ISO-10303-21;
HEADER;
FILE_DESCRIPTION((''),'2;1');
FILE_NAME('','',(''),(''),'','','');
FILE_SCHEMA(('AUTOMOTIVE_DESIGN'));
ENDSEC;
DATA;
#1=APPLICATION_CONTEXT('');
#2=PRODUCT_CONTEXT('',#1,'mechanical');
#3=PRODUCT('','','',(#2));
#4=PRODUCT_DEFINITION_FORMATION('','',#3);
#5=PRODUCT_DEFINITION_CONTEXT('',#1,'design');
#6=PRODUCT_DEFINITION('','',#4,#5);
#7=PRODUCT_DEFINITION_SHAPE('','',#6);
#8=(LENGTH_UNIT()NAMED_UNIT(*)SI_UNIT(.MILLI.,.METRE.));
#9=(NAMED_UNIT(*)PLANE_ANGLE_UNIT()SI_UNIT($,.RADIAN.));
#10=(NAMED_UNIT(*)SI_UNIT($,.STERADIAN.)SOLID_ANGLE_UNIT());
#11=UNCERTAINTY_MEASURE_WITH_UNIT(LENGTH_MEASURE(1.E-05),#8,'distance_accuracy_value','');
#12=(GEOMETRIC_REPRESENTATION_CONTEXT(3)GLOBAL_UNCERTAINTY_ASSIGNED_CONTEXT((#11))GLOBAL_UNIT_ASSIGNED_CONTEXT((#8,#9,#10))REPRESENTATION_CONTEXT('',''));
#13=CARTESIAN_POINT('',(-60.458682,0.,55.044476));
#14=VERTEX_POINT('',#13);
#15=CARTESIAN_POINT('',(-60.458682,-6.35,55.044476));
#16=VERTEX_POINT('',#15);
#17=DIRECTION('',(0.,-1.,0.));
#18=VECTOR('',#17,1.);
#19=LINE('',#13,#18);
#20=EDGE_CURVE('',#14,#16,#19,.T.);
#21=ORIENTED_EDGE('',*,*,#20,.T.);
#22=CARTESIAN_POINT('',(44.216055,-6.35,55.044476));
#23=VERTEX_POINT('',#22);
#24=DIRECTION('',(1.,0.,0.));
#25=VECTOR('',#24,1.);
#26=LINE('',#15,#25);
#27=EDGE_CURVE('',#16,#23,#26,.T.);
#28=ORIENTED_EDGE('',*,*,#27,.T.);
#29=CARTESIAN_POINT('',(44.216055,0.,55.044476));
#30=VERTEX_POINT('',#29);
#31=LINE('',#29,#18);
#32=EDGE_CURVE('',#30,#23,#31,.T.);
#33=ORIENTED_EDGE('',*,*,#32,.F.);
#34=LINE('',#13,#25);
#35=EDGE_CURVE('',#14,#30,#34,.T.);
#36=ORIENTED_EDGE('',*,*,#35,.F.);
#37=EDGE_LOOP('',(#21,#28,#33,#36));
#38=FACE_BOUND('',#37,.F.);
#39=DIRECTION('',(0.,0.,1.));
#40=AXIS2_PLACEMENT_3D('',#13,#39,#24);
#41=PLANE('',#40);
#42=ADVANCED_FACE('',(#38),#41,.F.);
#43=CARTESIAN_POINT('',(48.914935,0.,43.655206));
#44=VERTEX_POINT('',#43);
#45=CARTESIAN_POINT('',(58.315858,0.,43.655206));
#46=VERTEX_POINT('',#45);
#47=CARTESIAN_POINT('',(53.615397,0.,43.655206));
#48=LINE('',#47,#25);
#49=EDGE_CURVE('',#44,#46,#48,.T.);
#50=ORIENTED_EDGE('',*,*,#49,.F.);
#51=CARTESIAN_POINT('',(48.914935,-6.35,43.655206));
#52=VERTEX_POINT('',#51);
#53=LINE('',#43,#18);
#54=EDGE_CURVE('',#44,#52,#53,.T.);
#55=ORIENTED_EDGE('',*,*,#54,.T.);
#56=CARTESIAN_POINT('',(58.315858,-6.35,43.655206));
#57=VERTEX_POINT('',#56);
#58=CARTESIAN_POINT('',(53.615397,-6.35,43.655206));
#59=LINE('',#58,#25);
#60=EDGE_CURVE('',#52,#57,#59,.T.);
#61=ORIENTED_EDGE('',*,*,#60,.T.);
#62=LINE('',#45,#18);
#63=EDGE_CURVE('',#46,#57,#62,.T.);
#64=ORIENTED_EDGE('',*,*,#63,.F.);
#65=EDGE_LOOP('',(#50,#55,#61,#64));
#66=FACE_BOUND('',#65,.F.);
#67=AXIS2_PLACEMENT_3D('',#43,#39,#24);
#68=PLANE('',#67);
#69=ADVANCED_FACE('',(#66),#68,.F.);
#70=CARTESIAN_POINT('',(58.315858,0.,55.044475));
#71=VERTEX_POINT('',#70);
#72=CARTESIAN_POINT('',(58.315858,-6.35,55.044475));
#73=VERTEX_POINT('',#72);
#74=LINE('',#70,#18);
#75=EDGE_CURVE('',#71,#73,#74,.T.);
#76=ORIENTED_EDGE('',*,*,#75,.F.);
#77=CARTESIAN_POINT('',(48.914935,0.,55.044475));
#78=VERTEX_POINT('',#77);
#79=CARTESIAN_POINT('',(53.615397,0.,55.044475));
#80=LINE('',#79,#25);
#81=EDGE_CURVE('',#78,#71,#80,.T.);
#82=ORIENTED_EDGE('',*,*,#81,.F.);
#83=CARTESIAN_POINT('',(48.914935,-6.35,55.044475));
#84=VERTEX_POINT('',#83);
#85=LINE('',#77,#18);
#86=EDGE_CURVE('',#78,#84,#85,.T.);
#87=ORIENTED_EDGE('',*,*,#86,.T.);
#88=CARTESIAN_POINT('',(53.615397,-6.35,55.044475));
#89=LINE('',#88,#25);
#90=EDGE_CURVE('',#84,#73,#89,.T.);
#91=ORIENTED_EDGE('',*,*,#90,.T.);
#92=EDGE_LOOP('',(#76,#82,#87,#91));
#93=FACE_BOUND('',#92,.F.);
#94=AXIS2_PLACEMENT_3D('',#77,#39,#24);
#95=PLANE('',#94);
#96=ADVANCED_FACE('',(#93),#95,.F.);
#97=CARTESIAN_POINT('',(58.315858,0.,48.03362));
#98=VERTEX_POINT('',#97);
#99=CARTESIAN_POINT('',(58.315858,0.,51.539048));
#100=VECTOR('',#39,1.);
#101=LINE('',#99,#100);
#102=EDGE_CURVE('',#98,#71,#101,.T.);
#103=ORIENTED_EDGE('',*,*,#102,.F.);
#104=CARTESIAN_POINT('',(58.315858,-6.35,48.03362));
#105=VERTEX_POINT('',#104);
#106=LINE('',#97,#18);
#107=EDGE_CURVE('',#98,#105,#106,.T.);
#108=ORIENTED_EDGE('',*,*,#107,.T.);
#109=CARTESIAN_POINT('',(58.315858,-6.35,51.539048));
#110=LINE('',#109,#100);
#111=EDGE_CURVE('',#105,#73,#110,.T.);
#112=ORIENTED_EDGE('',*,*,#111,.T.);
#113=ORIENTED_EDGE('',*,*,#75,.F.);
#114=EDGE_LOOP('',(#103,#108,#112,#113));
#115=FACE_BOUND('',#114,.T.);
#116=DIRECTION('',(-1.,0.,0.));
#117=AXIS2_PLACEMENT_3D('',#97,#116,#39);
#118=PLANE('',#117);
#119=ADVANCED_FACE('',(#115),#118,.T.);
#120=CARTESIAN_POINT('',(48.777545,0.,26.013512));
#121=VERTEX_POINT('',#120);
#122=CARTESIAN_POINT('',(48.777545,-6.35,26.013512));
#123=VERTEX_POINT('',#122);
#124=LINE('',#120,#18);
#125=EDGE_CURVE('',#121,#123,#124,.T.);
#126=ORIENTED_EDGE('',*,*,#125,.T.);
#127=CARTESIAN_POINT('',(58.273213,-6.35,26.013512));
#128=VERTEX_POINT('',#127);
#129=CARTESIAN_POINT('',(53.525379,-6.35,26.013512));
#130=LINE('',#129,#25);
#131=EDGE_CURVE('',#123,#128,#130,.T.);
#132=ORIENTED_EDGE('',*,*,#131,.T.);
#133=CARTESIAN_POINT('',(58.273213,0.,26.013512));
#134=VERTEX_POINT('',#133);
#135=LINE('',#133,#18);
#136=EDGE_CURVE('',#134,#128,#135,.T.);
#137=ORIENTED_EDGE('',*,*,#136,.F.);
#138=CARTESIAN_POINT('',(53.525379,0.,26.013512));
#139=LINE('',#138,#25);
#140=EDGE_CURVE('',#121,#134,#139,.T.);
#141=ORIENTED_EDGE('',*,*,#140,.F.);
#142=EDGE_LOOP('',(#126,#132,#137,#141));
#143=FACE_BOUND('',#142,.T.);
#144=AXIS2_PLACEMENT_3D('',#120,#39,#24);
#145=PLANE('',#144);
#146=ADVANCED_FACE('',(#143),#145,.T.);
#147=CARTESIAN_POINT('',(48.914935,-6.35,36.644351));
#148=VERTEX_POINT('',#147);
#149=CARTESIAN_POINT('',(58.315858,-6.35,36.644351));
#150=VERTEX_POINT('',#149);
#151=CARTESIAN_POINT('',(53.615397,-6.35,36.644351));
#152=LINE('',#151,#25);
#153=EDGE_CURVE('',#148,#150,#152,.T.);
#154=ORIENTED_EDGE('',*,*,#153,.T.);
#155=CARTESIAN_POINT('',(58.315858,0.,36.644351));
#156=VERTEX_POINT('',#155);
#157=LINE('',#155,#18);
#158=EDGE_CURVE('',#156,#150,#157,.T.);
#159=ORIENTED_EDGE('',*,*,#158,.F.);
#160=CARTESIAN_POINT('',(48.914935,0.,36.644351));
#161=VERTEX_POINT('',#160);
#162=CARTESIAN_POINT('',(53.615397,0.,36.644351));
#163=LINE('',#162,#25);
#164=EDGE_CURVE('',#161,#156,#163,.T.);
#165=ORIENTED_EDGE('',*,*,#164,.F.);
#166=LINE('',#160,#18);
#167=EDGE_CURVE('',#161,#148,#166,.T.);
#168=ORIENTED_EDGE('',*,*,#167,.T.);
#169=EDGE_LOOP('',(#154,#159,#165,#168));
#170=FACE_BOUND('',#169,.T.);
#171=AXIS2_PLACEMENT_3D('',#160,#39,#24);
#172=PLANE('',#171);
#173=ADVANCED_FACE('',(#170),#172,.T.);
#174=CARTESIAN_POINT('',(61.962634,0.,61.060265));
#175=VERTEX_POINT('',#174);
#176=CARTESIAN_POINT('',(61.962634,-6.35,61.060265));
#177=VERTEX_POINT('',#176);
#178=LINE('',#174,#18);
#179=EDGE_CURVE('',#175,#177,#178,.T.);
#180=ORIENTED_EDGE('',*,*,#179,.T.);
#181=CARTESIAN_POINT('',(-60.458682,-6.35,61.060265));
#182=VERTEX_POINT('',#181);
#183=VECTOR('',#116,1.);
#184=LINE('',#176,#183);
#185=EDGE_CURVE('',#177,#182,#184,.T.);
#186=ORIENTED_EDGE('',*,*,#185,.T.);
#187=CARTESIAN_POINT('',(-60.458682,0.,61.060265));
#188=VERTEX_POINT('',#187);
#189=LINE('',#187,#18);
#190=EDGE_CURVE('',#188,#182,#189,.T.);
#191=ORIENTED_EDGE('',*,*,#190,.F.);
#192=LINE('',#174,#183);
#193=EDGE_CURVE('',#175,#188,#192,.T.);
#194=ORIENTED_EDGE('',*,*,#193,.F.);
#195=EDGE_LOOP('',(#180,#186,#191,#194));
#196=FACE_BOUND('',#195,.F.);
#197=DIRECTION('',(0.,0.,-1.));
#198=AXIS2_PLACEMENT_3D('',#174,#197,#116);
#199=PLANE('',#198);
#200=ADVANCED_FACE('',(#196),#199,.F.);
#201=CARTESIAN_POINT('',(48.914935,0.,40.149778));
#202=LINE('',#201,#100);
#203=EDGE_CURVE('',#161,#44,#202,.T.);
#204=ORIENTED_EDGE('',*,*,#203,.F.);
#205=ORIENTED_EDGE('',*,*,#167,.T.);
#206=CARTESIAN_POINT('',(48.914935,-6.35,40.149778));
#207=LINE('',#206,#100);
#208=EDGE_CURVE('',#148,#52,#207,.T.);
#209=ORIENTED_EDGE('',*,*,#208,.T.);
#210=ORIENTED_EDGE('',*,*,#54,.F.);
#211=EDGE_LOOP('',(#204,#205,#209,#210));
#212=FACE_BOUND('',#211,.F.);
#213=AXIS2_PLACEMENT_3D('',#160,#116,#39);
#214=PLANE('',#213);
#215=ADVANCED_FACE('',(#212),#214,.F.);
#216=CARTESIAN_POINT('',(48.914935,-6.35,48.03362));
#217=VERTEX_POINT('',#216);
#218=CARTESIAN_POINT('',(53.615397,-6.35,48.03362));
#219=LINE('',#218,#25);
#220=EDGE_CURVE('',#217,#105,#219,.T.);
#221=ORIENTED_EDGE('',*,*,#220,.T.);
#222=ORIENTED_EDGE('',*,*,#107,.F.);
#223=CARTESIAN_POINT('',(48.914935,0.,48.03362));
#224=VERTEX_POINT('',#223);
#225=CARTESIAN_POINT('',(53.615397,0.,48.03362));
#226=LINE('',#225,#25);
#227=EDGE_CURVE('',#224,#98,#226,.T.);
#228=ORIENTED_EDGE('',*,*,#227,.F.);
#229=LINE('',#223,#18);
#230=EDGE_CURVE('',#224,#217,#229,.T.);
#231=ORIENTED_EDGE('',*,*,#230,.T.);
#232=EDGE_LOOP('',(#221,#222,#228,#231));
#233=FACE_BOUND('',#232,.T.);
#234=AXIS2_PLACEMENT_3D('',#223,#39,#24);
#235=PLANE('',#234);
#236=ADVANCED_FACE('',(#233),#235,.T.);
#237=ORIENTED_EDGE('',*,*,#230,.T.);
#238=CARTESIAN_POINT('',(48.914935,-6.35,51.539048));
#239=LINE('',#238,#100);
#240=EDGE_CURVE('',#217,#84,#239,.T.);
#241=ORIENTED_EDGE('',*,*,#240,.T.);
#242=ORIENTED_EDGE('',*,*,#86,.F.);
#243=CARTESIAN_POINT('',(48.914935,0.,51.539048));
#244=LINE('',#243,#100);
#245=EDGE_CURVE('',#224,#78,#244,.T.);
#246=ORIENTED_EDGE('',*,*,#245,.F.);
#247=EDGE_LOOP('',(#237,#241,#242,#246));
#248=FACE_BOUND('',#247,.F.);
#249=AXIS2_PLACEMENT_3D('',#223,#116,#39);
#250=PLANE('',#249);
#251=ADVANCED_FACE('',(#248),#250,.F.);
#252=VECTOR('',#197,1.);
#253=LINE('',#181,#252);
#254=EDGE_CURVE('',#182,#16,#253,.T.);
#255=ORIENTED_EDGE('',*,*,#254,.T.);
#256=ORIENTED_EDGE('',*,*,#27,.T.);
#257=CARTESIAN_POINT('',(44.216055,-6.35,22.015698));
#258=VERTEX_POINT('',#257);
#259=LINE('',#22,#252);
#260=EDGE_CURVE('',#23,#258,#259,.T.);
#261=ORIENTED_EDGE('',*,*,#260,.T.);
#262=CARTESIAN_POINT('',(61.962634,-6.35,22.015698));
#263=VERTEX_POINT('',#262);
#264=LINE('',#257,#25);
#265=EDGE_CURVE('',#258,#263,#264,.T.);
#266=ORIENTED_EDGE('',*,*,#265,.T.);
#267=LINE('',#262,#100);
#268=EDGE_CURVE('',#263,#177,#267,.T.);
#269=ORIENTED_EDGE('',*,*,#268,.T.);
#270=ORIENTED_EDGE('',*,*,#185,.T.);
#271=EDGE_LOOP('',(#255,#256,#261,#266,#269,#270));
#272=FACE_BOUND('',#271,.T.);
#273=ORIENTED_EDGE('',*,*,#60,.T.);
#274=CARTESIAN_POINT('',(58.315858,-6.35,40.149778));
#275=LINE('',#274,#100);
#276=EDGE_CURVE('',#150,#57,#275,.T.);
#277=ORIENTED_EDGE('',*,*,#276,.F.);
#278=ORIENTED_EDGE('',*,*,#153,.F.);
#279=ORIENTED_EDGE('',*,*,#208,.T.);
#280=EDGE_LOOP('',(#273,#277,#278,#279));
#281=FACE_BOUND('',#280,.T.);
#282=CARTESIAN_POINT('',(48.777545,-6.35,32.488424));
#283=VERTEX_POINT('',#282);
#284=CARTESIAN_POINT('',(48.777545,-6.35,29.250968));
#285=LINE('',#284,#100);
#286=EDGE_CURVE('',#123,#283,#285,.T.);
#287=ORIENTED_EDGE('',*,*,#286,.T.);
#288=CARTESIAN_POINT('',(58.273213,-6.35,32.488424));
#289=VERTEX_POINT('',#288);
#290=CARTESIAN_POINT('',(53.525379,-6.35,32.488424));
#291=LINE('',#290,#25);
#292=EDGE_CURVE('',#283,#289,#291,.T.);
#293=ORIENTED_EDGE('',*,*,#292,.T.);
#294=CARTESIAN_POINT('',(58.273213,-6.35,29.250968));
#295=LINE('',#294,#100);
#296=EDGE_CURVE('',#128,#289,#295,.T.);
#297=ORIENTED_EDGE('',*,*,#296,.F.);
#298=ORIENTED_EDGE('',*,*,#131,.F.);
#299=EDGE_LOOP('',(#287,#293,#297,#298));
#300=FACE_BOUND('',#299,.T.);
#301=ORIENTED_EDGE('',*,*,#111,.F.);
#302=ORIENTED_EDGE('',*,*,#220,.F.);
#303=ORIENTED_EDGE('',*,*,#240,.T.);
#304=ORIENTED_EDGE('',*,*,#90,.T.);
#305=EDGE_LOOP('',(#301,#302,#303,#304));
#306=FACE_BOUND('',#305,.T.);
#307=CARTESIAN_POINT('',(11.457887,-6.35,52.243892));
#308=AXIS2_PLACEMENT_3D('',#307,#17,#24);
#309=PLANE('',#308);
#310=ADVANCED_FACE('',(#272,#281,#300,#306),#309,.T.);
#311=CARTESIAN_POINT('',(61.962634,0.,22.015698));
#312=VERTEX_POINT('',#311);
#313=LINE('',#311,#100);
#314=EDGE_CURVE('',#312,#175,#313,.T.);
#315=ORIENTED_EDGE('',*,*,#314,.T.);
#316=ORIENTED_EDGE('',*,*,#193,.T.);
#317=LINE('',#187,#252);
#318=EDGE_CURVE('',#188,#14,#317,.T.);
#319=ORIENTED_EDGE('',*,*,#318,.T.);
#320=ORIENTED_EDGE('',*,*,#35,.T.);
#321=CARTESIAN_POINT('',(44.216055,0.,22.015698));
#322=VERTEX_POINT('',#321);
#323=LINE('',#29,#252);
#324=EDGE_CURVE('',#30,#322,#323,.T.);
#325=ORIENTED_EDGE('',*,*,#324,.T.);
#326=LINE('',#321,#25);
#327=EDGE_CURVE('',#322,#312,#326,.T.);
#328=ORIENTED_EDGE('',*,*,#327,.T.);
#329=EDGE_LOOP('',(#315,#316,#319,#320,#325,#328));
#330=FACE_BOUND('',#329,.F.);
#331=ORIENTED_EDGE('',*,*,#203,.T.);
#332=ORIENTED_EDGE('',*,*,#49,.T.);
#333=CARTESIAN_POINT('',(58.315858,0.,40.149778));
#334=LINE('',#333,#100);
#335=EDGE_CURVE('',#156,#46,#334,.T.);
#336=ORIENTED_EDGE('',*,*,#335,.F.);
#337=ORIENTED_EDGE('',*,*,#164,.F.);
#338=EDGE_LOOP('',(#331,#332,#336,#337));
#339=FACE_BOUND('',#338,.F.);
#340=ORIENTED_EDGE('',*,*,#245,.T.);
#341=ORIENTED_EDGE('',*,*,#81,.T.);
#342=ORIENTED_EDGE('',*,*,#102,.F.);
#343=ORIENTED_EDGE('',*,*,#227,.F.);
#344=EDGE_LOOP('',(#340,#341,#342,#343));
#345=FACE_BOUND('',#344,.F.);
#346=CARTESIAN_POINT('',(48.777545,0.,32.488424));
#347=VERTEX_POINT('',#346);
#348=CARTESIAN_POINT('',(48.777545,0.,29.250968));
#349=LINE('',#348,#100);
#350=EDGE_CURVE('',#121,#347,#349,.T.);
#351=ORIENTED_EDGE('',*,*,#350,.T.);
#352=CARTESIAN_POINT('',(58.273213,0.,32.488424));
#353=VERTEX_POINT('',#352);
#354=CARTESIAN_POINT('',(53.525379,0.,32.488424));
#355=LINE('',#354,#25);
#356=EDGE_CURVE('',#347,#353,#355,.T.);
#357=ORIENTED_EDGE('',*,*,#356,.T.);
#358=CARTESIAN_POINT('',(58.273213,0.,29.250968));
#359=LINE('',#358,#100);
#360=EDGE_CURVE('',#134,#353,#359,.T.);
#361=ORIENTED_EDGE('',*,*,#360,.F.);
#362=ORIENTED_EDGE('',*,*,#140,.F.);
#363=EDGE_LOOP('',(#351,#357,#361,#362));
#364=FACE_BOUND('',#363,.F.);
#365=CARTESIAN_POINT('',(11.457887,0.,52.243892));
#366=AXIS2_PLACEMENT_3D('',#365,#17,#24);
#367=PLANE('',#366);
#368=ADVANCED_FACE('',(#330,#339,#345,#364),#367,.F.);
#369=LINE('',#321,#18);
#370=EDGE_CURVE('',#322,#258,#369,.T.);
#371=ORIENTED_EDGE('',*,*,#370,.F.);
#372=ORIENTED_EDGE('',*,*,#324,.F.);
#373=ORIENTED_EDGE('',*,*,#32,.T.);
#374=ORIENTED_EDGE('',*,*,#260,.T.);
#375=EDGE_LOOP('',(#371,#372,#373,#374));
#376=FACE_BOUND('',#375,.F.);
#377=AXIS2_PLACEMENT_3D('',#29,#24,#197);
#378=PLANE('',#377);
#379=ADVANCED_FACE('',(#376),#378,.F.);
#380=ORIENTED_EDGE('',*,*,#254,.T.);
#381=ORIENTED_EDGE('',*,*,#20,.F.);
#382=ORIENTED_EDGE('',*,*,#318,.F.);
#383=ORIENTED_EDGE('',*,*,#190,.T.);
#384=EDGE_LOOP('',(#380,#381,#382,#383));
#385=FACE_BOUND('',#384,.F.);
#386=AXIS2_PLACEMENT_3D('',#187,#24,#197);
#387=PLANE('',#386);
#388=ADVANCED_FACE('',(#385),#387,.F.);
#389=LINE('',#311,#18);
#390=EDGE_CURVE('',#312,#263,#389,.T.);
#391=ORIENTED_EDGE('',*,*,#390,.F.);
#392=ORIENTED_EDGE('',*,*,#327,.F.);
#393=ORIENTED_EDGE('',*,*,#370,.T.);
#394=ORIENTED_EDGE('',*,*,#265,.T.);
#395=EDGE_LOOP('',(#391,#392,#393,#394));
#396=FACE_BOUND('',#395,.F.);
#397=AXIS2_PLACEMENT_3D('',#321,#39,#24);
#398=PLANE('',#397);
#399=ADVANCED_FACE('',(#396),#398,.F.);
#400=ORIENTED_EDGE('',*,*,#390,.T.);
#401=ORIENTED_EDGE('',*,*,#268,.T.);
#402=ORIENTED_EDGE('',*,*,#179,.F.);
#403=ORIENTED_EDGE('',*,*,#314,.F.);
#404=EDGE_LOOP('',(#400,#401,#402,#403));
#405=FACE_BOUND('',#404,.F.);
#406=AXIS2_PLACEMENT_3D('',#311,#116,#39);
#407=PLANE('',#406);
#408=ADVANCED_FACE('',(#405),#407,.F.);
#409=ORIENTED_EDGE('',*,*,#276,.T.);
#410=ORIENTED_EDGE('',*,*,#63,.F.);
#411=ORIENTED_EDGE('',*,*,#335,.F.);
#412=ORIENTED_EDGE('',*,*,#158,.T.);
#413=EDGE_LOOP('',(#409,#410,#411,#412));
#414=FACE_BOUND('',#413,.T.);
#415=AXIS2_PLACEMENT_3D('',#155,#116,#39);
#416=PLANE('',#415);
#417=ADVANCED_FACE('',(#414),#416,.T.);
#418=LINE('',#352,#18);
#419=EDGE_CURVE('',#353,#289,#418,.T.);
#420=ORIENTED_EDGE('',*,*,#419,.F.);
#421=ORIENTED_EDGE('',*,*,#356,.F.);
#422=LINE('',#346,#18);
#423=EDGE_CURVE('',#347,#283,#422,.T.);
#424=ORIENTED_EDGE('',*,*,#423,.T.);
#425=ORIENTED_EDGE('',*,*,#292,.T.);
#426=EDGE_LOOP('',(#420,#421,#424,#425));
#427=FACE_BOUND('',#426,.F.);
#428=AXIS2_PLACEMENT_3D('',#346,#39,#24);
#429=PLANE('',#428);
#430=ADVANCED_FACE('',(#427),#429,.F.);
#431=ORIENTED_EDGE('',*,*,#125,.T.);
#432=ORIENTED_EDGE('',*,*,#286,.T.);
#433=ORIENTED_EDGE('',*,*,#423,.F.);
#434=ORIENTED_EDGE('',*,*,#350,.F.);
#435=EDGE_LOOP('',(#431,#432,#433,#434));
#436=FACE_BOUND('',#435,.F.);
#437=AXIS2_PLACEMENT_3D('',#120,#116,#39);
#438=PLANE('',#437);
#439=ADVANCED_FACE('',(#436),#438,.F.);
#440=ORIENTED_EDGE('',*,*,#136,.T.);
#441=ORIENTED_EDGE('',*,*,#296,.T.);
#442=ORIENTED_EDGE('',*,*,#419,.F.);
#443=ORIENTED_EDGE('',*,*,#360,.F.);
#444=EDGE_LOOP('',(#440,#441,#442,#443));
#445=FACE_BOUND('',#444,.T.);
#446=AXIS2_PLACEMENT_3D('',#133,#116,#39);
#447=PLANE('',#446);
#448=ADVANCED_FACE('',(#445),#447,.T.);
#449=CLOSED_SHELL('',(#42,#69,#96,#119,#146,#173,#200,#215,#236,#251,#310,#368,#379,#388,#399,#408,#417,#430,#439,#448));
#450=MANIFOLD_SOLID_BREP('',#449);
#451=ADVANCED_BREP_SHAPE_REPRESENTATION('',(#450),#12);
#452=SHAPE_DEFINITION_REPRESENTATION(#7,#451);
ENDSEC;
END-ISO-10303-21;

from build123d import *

# Parameters (mm, degrees)
F1_W     = 9.495668
F1_H     = 6.474912
F1_W_2   = 9.400923
F1_H_2   = 7.010855
F0_DEPTH = 6.35


with BuildPart() as f0:
    # F1 (on Front) → F0 (new body)
    with BuildSketch(Plane.XZ):
        Polygon((61.962634, 61.060265), (-60.458682, 61.060265), (-60.458682, 55.044476), (44.216055, 55.044476), (44.216055, 22.015698), (61.962634, 22.015698), align=None)
        with Locations((53.525379, 29.250968)):
            Rectangle(F1_W, F1_H, mode=Mode.SUBTRACT)
        with Locations((53.615397, 40.149778)):
            Rectangle(F1_W_2, F1_H_2, mode=Mode.SUBTRACT)
        with Locations((53.615397, 51.539048)):
            Rectangle(F1_W_2, F1_H_2, mode=Mode.SUBTRACT)
    extrude(amount=F0_DEPTH)


solid = f0.part
